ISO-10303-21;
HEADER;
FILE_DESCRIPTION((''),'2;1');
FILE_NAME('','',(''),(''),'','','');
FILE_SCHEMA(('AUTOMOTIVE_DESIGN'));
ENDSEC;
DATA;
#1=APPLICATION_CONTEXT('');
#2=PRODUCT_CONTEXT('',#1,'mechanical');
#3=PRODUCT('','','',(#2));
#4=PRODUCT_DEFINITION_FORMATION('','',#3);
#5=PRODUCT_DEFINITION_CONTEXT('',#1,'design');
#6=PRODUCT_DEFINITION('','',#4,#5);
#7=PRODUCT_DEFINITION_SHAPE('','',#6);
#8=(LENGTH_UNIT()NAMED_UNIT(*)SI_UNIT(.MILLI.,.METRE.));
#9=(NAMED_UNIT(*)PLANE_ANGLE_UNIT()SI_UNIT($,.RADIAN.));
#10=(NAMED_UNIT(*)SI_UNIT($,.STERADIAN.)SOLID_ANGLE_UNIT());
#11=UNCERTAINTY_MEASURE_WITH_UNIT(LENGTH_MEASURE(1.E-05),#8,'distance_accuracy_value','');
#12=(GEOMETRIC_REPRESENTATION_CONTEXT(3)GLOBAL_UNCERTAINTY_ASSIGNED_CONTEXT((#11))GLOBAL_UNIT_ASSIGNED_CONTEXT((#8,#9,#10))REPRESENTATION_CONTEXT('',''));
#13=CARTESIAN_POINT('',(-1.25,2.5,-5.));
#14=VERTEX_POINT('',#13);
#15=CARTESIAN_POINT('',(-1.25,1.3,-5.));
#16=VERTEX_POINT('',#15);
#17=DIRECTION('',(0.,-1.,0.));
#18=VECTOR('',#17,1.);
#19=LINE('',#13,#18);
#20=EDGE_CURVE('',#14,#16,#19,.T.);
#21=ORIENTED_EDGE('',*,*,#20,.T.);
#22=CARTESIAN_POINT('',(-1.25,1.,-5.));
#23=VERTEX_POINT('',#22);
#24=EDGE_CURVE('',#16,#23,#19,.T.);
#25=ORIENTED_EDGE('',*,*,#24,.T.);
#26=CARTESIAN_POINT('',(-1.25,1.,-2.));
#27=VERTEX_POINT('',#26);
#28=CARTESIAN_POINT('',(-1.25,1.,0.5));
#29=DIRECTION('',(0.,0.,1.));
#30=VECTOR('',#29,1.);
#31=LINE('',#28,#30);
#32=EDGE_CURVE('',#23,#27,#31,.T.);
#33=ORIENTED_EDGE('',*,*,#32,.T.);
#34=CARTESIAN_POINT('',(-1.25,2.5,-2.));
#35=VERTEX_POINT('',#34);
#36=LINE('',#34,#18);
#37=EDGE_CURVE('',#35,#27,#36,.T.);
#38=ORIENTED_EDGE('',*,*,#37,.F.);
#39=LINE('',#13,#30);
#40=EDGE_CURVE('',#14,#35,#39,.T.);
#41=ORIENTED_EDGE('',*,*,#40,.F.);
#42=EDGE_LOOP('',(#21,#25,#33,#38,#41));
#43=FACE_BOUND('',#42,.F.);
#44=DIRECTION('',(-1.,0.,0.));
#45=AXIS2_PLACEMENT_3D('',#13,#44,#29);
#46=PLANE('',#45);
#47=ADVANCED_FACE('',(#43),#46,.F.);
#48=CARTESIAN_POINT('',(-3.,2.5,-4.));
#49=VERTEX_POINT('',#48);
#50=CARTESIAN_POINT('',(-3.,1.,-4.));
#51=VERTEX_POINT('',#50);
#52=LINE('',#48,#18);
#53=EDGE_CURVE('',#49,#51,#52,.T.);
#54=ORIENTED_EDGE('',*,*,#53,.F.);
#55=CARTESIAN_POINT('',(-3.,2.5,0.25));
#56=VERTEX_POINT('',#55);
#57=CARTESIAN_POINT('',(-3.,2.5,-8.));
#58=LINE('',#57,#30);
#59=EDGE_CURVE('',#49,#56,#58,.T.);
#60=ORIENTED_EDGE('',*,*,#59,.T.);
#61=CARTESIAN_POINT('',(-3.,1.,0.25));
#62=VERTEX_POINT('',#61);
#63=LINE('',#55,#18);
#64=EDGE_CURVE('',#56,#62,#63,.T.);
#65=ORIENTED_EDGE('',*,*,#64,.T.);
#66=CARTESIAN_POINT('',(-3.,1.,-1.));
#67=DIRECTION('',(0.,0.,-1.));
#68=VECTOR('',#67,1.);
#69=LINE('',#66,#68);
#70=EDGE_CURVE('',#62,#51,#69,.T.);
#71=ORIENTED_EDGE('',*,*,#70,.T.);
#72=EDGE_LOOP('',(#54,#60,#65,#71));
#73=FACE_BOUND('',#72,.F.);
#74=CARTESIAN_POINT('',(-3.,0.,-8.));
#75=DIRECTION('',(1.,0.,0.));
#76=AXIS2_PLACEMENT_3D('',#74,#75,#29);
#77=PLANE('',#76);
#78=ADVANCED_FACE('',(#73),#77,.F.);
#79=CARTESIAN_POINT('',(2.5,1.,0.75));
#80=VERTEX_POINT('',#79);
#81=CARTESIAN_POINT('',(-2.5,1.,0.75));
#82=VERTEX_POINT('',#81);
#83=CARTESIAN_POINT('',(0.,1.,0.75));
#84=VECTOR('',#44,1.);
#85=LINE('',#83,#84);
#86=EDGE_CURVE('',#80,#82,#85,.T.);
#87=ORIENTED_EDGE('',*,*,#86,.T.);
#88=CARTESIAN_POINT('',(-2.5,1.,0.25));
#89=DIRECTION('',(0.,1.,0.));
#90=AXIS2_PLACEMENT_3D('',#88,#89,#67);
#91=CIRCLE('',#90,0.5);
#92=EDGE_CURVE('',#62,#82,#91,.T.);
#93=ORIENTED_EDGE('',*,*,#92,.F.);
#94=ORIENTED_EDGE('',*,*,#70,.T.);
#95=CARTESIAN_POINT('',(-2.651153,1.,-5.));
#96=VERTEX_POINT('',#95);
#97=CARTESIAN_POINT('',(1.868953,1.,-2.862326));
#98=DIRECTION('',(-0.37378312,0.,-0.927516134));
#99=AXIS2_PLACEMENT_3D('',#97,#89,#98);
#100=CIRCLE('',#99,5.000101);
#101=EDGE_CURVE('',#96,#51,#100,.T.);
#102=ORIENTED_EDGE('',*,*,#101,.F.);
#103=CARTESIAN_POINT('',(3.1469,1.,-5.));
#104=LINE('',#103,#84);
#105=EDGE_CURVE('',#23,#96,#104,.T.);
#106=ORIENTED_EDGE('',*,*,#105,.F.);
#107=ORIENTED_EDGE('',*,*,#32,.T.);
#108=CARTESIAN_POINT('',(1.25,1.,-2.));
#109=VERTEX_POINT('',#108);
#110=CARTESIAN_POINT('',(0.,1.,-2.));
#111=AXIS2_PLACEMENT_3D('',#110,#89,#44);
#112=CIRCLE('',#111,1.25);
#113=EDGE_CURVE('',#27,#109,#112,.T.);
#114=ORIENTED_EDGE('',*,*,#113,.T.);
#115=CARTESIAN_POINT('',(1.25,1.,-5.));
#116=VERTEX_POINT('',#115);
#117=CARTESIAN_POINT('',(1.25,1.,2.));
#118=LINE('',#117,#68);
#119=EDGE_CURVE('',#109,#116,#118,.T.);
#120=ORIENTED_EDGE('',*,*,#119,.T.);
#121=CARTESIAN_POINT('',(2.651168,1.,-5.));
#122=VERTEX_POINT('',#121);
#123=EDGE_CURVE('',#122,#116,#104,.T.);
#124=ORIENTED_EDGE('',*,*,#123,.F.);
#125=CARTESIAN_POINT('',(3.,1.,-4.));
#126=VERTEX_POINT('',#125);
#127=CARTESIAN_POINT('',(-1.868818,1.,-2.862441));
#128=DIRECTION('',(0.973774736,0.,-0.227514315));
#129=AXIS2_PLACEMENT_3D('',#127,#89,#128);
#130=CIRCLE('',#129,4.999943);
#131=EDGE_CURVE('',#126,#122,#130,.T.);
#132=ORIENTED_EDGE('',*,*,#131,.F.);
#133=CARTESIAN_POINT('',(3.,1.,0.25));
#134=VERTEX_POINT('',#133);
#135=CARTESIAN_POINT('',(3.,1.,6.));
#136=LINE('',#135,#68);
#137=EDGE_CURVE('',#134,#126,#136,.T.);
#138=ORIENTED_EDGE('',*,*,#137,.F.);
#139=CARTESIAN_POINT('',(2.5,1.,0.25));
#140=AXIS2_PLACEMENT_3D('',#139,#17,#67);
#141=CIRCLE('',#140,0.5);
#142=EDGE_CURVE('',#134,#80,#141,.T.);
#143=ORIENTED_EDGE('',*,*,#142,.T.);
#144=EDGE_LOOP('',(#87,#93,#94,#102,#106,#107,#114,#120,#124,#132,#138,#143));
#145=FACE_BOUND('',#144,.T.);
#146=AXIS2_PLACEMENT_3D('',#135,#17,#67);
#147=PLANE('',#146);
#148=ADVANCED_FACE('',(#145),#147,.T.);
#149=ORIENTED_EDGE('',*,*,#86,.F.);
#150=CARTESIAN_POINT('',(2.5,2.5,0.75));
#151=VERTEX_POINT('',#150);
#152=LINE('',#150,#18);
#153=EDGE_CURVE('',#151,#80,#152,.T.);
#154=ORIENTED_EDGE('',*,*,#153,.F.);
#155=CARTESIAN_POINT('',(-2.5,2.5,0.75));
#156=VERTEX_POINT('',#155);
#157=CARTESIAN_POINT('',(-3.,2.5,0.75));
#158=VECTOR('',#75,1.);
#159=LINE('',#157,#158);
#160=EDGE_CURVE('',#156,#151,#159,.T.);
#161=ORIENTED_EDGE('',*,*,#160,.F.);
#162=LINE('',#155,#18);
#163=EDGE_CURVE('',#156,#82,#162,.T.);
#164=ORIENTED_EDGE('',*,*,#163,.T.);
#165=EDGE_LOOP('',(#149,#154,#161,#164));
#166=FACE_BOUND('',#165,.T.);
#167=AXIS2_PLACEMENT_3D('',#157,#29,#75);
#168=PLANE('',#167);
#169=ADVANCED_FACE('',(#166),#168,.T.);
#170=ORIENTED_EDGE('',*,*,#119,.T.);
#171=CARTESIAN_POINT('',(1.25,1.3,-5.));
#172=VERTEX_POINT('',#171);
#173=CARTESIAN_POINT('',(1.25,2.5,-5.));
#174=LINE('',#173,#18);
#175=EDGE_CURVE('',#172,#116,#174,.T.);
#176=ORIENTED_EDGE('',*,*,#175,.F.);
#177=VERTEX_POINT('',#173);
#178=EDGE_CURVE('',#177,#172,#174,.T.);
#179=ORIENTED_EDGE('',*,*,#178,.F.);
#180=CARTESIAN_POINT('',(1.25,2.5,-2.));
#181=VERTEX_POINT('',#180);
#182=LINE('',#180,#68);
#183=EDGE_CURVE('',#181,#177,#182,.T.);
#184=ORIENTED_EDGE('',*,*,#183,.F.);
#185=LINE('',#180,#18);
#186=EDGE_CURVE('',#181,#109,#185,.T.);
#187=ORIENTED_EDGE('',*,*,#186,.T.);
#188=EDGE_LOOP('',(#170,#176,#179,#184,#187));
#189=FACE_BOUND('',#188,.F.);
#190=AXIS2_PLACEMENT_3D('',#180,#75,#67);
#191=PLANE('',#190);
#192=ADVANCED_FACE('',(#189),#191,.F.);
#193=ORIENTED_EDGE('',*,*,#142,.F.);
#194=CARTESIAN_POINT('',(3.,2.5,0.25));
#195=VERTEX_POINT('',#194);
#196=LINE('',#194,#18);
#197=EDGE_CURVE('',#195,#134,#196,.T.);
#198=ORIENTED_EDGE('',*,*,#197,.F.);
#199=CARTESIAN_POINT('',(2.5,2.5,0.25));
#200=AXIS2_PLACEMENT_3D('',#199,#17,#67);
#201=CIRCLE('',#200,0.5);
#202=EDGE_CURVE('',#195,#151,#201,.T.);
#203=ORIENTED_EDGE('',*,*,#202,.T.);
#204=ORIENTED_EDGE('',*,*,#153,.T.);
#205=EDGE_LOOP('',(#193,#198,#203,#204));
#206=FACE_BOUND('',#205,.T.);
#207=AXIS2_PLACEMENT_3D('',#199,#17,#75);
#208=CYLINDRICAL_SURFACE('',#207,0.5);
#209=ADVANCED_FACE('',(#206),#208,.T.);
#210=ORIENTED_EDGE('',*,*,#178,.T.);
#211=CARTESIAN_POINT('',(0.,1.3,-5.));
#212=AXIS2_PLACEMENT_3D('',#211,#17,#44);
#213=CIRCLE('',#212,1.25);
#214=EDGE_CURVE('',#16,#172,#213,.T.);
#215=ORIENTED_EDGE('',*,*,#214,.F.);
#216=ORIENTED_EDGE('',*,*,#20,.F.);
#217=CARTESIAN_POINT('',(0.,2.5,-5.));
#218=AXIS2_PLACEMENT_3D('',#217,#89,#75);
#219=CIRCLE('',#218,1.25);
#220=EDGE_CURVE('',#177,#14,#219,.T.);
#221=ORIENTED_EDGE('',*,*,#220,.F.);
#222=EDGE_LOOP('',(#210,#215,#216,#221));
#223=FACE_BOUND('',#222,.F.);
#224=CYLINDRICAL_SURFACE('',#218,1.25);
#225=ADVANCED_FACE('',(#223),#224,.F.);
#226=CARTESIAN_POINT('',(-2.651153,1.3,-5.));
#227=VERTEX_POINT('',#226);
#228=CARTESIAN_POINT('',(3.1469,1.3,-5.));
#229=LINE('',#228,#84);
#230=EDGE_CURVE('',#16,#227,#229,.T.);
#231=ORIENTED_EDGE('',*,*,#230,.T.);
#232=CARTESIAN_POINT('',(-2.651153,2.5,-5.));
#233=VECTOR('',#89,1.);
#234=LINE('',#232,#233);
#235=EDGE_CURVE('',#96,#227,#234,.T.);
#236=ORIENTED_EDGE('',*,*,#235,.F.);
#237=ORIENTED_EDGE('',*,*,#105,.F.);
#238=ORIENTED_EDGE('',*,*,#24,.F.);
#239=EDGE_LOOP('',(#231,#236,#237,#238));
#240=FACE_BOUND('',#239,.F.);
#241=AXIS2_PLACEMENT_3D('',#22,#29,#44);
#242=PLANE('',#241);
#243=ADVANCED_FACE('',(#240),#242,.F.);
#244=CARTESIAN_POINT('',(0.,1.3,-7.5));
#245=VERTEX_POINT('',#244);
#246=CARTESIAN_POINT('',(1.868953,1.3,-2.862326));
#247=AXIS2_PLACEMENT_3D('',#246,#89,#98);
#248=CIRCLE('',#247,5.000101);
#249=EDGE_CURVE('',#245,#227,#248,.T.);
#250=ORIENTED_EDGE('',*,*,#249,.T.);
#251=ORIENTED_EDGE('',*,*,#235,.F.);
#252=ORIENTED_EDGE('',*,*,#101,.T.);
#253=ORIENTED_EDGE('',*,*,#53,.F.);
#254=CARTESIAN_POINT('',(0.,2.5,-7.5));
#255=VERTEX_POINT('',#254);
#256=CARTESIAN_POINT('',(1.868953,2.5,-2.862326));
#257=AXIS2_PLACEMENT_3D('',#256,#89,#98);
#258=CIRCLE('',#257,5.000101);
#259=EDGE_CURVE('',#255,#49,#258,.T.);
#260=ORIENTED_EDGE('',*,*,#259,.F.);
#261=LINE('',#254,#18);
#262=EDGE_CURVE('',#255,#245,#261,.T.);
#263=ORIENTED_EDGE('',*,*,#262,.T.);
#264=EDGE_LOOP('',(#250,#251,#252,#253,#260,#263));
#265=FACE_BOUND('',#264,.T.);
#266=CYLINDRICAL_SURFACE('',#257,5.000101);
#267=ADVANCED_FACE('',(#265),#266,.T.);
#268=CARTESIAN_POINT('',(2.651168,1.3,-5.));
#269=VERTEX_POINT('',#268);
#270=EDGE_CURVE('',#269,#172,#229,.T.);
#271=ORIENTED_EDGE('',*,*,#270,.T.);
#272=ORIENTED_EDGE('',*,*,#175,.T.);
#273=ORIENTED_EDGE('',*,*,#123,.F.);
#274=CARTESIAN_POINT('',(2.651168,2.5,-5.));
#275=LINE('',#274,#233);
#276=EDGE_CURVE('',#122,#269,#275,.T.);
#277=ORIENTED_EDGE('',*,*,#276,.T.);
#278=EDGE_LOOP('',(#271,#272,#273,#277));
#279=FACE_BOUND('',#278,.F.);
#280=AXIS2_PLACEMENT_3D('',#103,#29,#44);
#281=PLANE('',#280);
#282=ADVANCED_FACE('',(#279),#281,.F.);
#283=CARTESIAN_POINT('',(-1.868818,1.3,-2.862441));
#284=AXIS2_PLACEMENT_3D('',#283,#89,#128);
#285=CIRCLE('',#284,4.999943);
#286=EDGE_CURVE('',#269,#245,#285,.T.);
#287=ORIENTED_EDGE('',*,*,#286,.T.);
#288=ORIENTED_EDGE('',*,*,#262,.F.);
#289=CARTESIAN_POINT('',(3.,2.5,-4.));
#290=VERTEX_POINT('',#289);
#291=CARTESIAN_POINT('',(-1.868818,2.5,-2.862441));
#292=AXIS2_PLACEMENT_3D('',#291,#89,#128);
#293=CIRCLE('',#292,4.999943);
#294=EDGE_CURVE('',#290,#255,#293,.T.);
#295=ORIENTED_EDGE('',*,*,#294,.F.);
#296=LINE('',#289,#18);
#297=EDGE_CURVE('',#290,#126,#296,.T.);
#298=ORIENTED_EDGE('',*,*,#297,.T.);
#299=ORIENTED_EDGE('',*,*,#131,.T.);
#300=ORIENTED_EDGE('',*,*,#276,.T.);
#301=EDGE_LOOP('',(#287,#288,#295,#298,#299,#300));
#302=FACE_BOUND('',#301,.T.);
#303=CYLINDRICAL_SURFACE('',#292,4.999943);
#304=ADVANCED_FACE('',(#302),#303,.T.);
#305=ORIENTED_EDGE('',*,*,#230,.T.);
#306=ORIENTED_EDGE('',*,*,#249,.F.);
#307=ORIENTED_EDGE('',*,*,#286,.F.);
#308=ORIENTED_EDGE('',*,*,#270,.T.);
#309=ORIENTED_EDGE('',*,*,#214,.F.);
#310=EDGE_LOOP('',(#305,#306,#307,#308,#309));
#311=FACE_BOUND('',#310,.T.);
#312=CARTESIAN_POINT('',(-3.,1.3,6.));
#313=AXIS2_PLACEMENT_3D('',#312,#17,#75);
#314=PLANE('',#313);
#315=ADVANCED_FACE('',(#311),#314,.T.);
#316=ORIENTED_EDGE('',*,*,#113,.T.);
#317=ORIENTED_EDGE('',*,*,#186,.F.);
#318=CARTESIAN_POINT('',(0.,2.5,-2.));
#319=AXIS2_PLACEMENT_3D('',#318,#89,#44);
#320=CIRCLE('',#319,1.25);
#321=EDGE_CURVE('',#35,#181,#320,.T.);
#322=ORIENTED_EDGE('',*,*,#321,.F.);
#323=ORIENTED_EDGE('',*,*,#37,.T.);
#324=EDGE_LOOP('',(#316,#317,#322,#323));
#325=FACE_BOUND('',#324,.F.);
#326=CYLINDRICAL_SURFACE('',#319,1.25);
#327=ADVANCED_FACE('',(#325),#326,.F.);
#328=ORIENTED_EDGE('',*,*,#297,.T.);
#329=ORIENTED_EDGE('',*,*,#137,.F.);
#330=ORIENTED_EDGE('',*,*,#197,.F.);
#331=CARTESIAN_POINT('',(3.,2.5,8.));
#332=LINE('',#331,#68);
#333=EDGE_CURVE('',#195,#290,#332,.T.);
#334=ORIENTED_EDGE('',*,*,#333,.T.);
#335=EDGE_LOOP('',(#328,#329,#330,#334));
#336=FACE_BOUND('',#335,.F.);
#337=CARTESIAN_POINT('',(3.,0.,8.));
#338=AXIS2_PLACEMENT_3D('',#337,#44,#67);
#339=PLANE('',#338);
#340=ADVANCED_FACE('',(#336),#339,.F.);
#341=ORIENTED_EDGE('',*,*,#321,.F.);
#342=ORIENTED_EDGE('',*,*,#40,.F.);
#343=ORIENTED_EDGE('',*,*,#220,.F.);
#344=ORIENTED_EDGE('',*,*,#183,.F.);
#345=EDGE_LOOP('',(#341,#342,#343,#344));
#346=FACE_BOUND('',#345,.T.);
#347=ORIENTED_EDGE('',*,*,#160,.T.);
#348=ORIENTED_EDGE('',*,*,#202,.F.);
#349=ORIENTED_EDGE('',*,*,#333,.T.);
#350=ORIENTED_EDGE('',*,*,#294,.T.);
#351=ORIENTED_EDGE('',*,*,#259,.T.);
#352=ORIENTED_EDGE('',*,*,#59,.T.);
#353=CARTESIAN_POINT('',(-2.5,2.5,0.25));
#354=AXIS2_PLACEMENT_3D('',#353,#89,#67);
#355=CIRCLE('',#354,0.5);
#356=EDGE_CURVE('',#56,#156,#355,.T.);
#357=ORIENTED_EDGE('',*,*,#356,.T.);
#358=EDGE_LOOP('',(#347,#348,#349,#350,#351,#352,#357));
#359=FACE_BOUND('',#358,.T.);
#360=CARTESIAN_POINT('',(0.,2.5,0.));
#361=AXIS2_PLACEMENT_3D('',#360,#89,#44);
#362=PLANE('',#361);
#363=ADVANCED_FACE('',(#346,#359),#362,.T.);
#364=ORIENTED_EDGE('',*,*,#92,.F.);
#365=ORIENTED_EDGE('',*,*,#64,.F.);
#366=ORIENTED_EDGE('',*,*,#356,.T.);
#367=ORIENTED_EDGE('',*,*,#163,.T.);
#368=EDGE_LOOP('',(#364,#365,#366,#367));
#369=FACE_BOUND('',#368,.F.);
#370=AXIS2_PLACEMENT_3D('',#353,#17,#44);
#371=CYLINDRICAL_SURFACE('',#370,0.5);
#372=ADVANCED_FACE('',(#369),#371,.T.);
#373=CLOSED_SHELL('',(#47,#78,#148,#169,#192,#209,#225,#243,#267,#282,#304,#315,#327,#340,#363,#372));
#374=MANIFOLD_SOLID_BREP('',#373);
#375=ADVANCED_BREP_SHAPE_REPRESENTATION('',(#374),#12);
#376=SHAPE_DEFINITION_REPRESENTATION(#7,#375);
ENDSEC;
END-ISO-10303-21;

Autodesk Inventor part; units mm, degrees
ref_plane "YZ Plane" through (0, 0, 0) normal (1, 0, 0) x (0, 1, 0)
ref_plane "XZ Plane" through (0, 0, 0) normal (0, 1, 0) x (-1, 0, 0)
ref_plane "XY Plane" through (0, 0, 0) normal (0, 0, 1) x (1, 0, 0)
sketch "Sketch1" plane through (0, 0, 0) normal (0, 1, 0) x (-1, 0, 0)
  line L0 (-3, -8) -> (3, -8)
  line L1 (3, -8) -> (3, 8)
  line L2 (3, 8) -> (-3, 8)
  line L3 (-3, 8) -> (-3, -8)
  line L4 (-3, -8) -> (3, 8) construction
  line L5 (3, -8) -> (-3, 8) construction
  point P0 (0, 0)
  dimension "d0" = 16
  dimension "d1" = 6
extrude "Extrusion1" add sketch "Sketch1" along normal blind 2.5
sketch "Sketch2" plane through (0, 2.5, 0) normal (0, 1, 0) x (1, 0, 0)
  line L0 (0, 5) -> (0, 2) construction
  line L1 (-1.25, 5) -> (-1.25, 2)
  line L2 (1.25, 2) -> (1.25, 5)
  arc A0 (1.25, 5) -> (-1.25, 5) centre (0, 5) ccw
  arc A1 (-1.25, 2) -> (1.25, 2) centre (0, 2) ccw
  line L3 (-3, -8) -> (3, -8) projected
  line L4 (-3, 8) -> (-3, -8) projected
  line L5 (-3, -8) -> (3, -8) projected
  line L6 (3, -8) -> (3, 8) projected
  line L7 (3, 8) -> (-3, 8) projected
  point P0 (0, 3.5)
  point P1 (0, 3.5)
  dimension "d4" = 2.5
  dimension "d7" = 6
  dimension "d8" = 3
  dimension "d9" = 3
  dimension "d28" = 3
extrude "Extrusion2" cut sketch "Sketch2" against normal through all contours A0 L2 A1 L1
sketch "Sketch3" plane through (3, 0, 8) normal (1, 0, 0) x (0, 0, -1)
  line L0 (16, 0) -> (0, 0) projected
  line L1 (16, 0) -> (2, 0)
  line L2 (2, 0) -> (2, 1)
  line L3 (2, 1) -> (16, 1)
  line L4 (16, 1) -> (16, 0)
  line L5 (0, 0) -> (0, 2.5) projected
  line L6 (0, 2.5) -> (16, 2.5) projected
  point P0 (8, 0)
  point P1 (2, 0)
  dimension "d12" = 2
  dimension "d13" = 1.5
extrude "Extrusion3" cut sketch "Sketch3" against normal through all
sketch "Sketch4" plane through (0, 2.5, 0) normal (0, 1, 0) x (1, 0, 0)
  line L0 (-3, 8) -> (-3, -8) projected
  line L1 (3, -8) -> (3, 8) projected
  arc A0 (-3, -6) -> (3, -6) centre (0, -4.75) ccw
  line L2 (-3, -8) -> (3, -8) projected
  point P0 (0, 0)
  point P1 (-2, 6)
  point P2 (2, 6)
  point P3 (3, 8)
  point P4 (0, -8)
  point P5 (-2.2361, -8)
  dimension "d17" = 2
extrude "Extrusion4" cut sketch "Sketch4" against normal through all
sketch "Sketch5" plane through (0, 2.5, 0) normal (0, 1, 0) x (1, 0, 0)
  line L0 (3, -6) -> (3, 8) projected
  line L1 (3, 8) -> (-3, 8) projected
  line L2 (-3, 8) -> (-3, -6) projected
  arc A0 (1.25, 5) -> (-1.25, 5) centre (0, 5) ccw projected
  arc A1 (3, 4) -> (0, 7.5) centre (-1.8689, 2.8624) ccw
  arc A2 (0, 7.5) -> (-3, 4) centre (1.8689, 2.8624) ccw
  point P0 (0, 0)
  point P1 (-3, 6.2041)
  point P2 (0, 6.25)
  point P3 (0, 6.25)
  dimension "d23" = 5
  dimension "d24" = 4
  dimension "d25" = 0.5
extrude "Extrusion5" cut sketch "Sketch5" against normal through all
sketch "Sketch6" plane through (-3, 1, 6) normal (0, -1, 0) x (1, 0, 0)
  line L0 (6.1469, -11) -> (-0.0299, -11)
  line L1 (-0.0299, -11) -> (-0.0299, -13.5)
  line L2 (-0.0299, -13.5) -> (6.1469, -13.5)
  line L3 (6.1469, -13.5) -> (6.1469, -11)
  arc A0 (1.75, -11) -> (4.25, -11) centre (3, -11) ccw projected
  point P0 (3, -6)
  point P1 (3, -13.5)
  point P2 (1.75, -11)
extrude "Extrusion6" cut sketch "Sketch6" against normal blind 0.3 contours L3 L2 L1 L0 A0
sketch "Sketch7" plane through (0, 2.5, 0) normal (0, 1, 0) x (1, 0, 0)
  line L0 (3, -6) -> (3, 4) projected
  line L1 (-3, 4) -> (-3, -6) projected
  line L2 (-3, -4.25) -> (3, -4.25)
  arc A0 (-1.25, 2) -> (1.25, 2) centre (0, 2) ccw projected
  arc A1 (-3, -6) -> (3, -6) centre (0, -4.75) ccw projected
  point P0 (0, 0)
  point P1 (0, 0.75)
  dimension "d29" = 5
extrude "Extrusion7" cut sketch "Sketch7" against normal through all
fillet "Fillet2" radius 2 2 edges at (3, 1.75, 4.25) (-3, 1.75, 4.25)
sketch "Sketch8" plane through (0, 2.5, 0) normal (0, 1, 0) x (1, 0, 0)
  line L0 (3, -4.25) -> (-3, -4.25)
  line L1 (-3, -4.25) -> (-3, -0.75)
  line L2 (-3, -0.75) -> (3, -0.75)
  line L3 (3, -0.75) -> (3, -4.25)
  arc A0 (-1.25, 2) -> (1.25, 2) centre (0, 2) ccw projected
  line L4 (3, -2.25) -> (3, 4) projected
  line L5 (-3, 4) -> (-3, -2.25) projected
  point P0 (0, 0)
  point P1 (1, -4.25)
  dimension "d33" = 2.75
extrude "Extrusion8" cut sketch "Sketch8" against normal through all
fillet "Fillet3" radius 0.5 2 edges at (3, 1.75, 0.75) (-3, 1.75, 0.75)
equation "\"d8\" = 0.5 * d7"
properties part number "Carrier Tab 2x2 V1"
